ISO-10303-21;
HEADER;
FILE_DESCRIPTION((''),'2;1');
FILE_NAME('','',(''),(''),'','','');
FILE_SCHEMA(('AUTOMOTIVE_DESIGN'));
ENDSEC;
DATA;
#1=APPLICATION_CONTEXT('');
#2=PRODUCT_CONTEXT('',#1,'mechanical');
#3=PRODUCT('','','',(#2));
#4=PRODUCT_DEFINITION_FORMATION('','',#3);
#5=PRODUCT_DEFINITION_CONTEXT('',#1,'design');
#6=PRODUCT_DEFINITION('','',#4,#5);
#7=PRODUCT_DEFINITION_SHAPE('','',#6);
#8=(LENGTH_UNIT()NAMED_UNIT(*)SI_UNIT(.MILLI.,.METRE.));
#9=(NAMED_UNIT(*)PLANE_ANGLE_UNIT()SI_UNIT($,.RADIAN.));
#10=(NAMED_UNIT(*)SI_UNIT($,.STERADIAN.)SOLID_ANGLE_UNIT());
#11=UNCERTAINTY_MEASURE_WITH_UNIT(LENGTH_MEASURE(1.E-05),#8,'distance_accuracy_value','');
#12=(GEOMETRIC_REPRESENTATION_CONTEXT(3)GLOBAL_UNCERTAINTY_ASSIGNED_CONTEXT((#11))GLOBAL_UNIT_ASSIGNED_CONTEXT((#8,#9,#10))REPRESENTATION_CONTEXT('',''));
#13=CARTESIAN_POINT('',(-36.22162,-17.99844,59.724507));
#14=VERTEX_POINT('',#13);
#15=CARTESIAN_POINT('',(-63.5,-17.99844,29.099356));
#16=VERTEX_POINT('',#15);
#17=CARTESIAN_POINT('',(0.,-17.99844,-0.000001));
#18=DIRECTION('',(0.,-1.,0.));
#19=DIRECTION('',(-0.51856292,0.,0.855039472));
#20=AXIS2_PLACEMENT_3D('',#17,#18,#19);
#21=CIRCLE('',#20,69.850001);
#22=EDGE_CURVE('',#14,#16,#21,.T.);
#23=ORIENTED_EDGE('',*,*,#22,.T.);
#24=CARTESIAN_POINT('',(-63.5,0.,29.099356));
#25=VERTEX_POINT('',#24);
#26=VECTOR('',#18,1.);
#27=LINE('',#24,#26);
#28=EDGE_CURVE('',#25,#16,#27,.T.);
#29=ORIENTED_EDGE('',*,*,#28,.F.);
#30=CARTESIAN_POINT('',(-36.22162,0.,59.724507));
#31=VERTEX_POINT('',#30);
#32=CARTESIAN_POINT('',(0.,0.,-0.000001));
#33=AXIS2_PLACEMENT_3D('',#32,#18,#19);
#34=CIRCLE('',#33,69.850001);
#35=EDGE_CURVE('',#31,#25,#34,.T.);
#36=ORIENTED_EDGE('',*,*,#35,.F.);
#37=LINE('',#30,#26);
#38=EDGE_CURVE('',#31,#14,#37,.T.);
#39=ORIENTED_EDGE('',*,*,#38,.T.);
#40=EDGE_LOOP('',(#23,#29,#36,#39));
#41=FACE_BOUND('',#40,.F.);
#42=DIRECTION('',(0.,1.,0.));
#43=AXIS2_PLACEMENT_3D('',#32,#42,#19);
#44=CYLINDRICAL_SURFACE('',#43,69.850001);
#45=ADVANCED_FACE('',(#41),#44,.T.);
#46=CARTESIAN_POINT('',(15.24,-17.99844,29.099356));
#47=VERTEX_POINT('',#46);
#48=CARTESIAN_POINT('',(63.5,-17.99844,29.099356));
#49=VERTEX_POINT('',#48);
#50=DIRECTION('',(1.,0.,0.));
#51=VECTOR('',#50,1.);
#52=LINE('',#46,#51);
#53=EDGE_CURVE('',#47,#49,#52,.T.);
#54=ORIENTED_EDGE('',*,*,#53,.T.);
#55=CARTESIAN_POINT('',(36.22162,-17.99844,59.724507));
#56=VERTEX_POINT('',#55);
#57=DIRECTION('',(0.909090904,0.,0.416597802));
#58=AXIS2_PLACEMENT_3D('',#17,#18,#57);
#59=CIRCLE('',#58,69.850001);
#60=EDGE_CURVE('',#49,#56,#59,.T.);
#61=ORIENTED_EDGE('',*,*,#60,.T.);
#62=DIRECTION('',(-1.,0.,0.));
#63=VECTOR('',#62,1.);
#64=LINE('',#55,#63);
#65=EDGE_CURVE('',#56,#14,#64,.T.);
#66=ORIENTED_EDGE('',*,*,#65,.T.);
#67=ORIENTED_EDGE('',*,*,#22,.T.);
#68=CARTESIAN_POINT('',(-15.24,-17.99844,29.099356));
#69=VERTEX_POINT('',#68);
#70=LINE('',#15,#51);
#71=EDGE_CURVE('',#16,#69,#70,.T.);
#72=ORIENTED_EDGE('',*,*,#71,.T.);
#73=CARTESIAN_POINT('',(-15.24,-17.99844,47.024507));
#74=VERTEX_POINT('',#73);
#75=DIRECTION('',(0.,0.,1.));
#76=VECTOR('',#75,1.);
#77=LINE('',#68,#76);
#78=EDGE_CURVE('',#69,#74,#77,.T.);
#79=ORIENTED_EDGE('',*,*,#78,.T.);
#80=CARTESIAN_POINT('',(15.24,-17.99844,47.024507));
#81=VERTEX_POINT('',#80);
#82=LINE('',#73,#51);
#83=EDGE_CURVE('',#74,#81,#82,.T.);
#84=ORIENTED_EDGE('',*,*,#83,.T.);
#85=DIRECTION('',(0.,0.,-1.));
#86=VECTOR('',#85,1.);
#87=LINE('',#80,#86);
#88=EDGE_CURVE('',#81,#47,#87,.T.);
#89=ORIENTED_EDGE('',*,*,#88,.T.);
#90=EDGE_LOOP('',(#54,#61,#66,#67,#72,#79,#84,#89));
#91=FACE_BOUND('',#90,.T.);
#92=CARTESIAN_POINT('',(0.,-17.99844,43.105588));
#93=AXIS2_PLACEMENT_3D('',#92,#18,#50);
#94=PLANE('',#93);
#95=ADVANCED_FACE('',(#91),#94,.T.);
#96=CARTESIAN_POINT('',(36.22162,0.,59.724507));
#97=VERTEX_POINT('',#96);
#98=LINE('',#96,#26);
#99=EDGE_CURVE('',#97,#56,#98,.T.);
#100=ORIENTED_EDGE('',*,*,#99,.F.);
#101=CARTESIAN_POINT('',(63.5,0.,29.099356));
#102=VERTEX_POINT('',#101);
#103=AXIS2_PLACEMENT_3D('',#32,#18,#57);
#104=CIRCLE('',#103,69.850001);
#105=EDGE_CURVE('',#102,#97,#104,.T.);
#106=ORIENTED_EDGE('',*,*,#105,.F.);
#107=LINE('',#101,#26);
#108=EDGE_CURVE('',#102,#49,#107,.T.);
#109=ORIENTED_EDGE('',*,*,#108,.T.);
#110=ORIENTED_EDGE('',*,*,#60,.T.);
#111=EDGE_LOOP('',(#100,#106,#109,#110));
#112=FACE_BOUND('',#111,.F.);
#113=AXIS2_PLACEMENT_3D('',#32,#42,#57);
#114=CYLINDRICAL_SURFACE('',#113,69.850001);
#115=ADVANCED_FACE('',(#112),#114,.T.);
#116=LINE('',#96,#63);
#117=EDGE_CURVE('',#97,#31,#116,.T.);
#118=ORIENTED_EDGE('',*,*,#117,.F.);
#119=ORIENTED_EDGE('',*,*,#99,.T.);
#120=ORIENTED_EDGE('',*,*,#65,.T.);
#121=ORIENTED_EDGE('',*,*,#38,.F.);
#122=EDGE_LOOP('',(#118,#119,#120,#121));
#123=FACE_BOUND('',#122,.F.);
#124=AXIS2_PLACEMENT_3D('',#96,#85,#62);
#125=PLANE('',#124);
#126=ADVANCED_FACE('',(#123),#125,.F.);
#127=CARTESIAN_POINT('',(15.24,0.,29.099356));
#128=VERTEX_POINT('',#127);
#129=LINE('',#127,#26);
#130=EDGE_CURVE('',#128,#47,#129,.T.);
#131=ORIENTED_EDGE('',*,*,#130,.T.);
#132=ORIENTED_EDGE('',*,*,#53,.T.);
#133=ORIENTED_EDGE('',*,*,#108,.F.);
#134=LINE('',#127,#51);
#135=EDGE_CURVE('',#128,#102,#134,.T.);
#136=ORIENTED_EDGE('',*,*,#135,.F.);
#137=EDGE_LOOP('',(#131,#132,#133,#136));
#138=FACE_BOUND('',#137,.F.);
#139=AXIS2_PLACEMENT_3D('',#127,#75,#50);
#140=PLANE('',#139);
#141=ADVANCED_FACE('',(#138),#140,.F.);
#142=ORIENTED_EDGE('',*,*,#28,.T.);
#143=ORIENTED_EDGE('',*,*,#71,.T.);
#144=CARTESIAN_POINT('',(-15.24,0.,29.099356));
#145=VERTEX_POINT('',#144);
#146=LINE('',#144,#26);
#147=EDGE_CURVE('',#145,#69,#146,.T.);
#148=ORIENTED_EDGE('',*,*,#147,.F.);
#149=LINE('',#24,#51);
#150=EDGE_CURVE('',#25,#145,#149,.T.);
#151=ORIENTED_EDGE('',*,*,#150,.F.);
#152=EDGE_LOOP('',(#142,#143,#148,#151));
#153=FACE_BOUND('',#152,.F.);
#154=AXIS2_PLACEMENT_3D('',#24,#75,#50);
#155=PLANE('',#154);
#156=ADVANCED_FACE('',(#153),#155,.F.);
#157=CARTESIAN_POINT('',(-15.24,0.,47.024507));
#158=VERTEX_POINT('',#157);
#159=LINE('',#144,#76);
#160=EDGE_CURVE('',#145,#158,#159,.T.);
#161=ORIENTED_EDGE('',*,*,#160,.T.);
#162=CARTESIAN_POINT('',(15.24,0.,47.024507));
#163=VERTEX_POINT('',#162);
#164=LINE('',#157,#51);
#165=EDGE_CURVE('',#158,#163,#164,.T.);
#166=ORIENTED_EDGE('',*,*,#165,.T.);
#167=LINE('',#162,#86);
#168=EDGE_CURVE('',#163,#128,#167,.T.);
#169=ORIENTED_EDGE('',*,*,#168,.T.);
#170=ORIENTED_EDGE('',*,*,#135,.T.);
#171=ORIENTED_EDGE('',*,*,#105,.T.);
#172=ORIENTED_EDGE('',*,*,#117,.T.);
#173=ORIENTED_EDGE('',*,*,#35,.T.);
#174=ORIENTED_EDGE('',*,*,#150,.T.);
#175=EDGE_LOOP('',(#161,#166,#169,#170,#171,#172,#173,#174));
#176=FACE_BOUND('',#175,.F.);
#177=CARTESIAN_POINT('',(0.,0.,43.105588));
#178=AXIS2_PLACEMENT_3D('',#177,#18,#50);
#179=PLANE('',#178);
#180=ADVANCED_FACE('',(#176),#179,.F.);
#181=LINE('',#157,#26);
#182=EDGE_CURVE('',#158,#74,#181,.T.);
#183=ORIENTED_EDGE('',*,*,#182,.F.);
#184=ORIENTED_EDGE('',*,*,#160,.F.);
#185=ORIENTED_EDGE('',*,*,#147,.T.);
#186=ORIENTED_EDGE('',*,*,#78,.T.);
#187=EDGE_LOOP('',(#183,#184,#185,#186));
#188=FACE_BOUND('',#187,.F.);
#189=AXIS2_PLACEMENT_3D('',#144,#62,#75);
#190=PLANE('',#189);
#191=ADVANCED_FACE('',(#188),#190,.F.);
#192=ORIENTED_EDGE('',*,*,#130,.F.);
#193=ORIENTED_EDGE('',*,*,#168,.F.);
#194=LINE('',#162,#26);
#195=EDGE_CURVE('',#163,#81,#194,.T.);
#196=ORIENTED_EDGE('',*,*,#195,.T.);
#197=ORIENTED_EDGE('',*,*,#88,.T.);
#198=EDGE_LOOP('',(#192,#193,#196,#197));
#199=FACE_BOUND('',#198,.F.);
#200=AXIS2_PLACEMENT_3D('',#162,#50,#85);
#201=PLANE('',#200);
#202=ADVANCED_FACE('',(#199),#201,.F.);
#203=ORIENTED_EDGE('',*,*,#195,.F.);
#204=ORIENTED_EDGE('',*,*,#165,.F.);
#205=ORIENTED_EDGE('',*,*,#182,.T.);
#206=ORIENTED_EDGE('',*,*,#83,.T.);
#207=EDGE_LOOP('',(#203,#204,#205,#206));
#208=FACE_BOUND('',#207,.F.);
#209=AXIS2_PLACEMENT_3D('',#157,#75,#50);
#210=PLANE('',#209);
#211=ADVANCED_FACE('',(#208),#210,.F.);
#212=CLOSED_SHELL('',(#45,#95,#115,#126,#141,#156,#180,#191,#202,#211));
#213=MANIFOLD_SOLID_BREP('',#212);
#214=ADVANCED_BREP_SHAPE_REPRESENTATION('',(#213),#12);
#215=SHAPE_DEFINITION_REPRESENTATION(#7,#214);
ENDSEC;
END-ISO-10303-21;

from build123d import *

# Parameters (mm, degrees)
F1_DEPTH = 17.99844


with BuildPart() as f1:
    # F0 (on Front) → F1 (new body)
    with BuildSketch(Plane.XZ):
        with BuildLine():
            ThreePointArc((-36.22162, 59.724507), (-52.159135, 46.459091), (-63.5, 29.099356))
            Line((-63.5, 29.099356), (-15.24, 29.099356))
            Line((-15.24, 29.099356), (-15.24, 47.024507))
            Line((-15.24, 47.024507), (15.24, 47.024507))
            Line((15.24, 47.024507), (15.24, 29.099356))
            Line((15.24, 29.099356), (63.5, 29.099356))
            ThreePointArc((63.5, 29.099356), (52.159135, 46.459091), (36.22162, 59.724507))
            Line((36.22162, 59.724507), (-36.22162, 59.724507))
        make_face()
    extrude(amount=F1_DEPTH)


solid = f1.part
